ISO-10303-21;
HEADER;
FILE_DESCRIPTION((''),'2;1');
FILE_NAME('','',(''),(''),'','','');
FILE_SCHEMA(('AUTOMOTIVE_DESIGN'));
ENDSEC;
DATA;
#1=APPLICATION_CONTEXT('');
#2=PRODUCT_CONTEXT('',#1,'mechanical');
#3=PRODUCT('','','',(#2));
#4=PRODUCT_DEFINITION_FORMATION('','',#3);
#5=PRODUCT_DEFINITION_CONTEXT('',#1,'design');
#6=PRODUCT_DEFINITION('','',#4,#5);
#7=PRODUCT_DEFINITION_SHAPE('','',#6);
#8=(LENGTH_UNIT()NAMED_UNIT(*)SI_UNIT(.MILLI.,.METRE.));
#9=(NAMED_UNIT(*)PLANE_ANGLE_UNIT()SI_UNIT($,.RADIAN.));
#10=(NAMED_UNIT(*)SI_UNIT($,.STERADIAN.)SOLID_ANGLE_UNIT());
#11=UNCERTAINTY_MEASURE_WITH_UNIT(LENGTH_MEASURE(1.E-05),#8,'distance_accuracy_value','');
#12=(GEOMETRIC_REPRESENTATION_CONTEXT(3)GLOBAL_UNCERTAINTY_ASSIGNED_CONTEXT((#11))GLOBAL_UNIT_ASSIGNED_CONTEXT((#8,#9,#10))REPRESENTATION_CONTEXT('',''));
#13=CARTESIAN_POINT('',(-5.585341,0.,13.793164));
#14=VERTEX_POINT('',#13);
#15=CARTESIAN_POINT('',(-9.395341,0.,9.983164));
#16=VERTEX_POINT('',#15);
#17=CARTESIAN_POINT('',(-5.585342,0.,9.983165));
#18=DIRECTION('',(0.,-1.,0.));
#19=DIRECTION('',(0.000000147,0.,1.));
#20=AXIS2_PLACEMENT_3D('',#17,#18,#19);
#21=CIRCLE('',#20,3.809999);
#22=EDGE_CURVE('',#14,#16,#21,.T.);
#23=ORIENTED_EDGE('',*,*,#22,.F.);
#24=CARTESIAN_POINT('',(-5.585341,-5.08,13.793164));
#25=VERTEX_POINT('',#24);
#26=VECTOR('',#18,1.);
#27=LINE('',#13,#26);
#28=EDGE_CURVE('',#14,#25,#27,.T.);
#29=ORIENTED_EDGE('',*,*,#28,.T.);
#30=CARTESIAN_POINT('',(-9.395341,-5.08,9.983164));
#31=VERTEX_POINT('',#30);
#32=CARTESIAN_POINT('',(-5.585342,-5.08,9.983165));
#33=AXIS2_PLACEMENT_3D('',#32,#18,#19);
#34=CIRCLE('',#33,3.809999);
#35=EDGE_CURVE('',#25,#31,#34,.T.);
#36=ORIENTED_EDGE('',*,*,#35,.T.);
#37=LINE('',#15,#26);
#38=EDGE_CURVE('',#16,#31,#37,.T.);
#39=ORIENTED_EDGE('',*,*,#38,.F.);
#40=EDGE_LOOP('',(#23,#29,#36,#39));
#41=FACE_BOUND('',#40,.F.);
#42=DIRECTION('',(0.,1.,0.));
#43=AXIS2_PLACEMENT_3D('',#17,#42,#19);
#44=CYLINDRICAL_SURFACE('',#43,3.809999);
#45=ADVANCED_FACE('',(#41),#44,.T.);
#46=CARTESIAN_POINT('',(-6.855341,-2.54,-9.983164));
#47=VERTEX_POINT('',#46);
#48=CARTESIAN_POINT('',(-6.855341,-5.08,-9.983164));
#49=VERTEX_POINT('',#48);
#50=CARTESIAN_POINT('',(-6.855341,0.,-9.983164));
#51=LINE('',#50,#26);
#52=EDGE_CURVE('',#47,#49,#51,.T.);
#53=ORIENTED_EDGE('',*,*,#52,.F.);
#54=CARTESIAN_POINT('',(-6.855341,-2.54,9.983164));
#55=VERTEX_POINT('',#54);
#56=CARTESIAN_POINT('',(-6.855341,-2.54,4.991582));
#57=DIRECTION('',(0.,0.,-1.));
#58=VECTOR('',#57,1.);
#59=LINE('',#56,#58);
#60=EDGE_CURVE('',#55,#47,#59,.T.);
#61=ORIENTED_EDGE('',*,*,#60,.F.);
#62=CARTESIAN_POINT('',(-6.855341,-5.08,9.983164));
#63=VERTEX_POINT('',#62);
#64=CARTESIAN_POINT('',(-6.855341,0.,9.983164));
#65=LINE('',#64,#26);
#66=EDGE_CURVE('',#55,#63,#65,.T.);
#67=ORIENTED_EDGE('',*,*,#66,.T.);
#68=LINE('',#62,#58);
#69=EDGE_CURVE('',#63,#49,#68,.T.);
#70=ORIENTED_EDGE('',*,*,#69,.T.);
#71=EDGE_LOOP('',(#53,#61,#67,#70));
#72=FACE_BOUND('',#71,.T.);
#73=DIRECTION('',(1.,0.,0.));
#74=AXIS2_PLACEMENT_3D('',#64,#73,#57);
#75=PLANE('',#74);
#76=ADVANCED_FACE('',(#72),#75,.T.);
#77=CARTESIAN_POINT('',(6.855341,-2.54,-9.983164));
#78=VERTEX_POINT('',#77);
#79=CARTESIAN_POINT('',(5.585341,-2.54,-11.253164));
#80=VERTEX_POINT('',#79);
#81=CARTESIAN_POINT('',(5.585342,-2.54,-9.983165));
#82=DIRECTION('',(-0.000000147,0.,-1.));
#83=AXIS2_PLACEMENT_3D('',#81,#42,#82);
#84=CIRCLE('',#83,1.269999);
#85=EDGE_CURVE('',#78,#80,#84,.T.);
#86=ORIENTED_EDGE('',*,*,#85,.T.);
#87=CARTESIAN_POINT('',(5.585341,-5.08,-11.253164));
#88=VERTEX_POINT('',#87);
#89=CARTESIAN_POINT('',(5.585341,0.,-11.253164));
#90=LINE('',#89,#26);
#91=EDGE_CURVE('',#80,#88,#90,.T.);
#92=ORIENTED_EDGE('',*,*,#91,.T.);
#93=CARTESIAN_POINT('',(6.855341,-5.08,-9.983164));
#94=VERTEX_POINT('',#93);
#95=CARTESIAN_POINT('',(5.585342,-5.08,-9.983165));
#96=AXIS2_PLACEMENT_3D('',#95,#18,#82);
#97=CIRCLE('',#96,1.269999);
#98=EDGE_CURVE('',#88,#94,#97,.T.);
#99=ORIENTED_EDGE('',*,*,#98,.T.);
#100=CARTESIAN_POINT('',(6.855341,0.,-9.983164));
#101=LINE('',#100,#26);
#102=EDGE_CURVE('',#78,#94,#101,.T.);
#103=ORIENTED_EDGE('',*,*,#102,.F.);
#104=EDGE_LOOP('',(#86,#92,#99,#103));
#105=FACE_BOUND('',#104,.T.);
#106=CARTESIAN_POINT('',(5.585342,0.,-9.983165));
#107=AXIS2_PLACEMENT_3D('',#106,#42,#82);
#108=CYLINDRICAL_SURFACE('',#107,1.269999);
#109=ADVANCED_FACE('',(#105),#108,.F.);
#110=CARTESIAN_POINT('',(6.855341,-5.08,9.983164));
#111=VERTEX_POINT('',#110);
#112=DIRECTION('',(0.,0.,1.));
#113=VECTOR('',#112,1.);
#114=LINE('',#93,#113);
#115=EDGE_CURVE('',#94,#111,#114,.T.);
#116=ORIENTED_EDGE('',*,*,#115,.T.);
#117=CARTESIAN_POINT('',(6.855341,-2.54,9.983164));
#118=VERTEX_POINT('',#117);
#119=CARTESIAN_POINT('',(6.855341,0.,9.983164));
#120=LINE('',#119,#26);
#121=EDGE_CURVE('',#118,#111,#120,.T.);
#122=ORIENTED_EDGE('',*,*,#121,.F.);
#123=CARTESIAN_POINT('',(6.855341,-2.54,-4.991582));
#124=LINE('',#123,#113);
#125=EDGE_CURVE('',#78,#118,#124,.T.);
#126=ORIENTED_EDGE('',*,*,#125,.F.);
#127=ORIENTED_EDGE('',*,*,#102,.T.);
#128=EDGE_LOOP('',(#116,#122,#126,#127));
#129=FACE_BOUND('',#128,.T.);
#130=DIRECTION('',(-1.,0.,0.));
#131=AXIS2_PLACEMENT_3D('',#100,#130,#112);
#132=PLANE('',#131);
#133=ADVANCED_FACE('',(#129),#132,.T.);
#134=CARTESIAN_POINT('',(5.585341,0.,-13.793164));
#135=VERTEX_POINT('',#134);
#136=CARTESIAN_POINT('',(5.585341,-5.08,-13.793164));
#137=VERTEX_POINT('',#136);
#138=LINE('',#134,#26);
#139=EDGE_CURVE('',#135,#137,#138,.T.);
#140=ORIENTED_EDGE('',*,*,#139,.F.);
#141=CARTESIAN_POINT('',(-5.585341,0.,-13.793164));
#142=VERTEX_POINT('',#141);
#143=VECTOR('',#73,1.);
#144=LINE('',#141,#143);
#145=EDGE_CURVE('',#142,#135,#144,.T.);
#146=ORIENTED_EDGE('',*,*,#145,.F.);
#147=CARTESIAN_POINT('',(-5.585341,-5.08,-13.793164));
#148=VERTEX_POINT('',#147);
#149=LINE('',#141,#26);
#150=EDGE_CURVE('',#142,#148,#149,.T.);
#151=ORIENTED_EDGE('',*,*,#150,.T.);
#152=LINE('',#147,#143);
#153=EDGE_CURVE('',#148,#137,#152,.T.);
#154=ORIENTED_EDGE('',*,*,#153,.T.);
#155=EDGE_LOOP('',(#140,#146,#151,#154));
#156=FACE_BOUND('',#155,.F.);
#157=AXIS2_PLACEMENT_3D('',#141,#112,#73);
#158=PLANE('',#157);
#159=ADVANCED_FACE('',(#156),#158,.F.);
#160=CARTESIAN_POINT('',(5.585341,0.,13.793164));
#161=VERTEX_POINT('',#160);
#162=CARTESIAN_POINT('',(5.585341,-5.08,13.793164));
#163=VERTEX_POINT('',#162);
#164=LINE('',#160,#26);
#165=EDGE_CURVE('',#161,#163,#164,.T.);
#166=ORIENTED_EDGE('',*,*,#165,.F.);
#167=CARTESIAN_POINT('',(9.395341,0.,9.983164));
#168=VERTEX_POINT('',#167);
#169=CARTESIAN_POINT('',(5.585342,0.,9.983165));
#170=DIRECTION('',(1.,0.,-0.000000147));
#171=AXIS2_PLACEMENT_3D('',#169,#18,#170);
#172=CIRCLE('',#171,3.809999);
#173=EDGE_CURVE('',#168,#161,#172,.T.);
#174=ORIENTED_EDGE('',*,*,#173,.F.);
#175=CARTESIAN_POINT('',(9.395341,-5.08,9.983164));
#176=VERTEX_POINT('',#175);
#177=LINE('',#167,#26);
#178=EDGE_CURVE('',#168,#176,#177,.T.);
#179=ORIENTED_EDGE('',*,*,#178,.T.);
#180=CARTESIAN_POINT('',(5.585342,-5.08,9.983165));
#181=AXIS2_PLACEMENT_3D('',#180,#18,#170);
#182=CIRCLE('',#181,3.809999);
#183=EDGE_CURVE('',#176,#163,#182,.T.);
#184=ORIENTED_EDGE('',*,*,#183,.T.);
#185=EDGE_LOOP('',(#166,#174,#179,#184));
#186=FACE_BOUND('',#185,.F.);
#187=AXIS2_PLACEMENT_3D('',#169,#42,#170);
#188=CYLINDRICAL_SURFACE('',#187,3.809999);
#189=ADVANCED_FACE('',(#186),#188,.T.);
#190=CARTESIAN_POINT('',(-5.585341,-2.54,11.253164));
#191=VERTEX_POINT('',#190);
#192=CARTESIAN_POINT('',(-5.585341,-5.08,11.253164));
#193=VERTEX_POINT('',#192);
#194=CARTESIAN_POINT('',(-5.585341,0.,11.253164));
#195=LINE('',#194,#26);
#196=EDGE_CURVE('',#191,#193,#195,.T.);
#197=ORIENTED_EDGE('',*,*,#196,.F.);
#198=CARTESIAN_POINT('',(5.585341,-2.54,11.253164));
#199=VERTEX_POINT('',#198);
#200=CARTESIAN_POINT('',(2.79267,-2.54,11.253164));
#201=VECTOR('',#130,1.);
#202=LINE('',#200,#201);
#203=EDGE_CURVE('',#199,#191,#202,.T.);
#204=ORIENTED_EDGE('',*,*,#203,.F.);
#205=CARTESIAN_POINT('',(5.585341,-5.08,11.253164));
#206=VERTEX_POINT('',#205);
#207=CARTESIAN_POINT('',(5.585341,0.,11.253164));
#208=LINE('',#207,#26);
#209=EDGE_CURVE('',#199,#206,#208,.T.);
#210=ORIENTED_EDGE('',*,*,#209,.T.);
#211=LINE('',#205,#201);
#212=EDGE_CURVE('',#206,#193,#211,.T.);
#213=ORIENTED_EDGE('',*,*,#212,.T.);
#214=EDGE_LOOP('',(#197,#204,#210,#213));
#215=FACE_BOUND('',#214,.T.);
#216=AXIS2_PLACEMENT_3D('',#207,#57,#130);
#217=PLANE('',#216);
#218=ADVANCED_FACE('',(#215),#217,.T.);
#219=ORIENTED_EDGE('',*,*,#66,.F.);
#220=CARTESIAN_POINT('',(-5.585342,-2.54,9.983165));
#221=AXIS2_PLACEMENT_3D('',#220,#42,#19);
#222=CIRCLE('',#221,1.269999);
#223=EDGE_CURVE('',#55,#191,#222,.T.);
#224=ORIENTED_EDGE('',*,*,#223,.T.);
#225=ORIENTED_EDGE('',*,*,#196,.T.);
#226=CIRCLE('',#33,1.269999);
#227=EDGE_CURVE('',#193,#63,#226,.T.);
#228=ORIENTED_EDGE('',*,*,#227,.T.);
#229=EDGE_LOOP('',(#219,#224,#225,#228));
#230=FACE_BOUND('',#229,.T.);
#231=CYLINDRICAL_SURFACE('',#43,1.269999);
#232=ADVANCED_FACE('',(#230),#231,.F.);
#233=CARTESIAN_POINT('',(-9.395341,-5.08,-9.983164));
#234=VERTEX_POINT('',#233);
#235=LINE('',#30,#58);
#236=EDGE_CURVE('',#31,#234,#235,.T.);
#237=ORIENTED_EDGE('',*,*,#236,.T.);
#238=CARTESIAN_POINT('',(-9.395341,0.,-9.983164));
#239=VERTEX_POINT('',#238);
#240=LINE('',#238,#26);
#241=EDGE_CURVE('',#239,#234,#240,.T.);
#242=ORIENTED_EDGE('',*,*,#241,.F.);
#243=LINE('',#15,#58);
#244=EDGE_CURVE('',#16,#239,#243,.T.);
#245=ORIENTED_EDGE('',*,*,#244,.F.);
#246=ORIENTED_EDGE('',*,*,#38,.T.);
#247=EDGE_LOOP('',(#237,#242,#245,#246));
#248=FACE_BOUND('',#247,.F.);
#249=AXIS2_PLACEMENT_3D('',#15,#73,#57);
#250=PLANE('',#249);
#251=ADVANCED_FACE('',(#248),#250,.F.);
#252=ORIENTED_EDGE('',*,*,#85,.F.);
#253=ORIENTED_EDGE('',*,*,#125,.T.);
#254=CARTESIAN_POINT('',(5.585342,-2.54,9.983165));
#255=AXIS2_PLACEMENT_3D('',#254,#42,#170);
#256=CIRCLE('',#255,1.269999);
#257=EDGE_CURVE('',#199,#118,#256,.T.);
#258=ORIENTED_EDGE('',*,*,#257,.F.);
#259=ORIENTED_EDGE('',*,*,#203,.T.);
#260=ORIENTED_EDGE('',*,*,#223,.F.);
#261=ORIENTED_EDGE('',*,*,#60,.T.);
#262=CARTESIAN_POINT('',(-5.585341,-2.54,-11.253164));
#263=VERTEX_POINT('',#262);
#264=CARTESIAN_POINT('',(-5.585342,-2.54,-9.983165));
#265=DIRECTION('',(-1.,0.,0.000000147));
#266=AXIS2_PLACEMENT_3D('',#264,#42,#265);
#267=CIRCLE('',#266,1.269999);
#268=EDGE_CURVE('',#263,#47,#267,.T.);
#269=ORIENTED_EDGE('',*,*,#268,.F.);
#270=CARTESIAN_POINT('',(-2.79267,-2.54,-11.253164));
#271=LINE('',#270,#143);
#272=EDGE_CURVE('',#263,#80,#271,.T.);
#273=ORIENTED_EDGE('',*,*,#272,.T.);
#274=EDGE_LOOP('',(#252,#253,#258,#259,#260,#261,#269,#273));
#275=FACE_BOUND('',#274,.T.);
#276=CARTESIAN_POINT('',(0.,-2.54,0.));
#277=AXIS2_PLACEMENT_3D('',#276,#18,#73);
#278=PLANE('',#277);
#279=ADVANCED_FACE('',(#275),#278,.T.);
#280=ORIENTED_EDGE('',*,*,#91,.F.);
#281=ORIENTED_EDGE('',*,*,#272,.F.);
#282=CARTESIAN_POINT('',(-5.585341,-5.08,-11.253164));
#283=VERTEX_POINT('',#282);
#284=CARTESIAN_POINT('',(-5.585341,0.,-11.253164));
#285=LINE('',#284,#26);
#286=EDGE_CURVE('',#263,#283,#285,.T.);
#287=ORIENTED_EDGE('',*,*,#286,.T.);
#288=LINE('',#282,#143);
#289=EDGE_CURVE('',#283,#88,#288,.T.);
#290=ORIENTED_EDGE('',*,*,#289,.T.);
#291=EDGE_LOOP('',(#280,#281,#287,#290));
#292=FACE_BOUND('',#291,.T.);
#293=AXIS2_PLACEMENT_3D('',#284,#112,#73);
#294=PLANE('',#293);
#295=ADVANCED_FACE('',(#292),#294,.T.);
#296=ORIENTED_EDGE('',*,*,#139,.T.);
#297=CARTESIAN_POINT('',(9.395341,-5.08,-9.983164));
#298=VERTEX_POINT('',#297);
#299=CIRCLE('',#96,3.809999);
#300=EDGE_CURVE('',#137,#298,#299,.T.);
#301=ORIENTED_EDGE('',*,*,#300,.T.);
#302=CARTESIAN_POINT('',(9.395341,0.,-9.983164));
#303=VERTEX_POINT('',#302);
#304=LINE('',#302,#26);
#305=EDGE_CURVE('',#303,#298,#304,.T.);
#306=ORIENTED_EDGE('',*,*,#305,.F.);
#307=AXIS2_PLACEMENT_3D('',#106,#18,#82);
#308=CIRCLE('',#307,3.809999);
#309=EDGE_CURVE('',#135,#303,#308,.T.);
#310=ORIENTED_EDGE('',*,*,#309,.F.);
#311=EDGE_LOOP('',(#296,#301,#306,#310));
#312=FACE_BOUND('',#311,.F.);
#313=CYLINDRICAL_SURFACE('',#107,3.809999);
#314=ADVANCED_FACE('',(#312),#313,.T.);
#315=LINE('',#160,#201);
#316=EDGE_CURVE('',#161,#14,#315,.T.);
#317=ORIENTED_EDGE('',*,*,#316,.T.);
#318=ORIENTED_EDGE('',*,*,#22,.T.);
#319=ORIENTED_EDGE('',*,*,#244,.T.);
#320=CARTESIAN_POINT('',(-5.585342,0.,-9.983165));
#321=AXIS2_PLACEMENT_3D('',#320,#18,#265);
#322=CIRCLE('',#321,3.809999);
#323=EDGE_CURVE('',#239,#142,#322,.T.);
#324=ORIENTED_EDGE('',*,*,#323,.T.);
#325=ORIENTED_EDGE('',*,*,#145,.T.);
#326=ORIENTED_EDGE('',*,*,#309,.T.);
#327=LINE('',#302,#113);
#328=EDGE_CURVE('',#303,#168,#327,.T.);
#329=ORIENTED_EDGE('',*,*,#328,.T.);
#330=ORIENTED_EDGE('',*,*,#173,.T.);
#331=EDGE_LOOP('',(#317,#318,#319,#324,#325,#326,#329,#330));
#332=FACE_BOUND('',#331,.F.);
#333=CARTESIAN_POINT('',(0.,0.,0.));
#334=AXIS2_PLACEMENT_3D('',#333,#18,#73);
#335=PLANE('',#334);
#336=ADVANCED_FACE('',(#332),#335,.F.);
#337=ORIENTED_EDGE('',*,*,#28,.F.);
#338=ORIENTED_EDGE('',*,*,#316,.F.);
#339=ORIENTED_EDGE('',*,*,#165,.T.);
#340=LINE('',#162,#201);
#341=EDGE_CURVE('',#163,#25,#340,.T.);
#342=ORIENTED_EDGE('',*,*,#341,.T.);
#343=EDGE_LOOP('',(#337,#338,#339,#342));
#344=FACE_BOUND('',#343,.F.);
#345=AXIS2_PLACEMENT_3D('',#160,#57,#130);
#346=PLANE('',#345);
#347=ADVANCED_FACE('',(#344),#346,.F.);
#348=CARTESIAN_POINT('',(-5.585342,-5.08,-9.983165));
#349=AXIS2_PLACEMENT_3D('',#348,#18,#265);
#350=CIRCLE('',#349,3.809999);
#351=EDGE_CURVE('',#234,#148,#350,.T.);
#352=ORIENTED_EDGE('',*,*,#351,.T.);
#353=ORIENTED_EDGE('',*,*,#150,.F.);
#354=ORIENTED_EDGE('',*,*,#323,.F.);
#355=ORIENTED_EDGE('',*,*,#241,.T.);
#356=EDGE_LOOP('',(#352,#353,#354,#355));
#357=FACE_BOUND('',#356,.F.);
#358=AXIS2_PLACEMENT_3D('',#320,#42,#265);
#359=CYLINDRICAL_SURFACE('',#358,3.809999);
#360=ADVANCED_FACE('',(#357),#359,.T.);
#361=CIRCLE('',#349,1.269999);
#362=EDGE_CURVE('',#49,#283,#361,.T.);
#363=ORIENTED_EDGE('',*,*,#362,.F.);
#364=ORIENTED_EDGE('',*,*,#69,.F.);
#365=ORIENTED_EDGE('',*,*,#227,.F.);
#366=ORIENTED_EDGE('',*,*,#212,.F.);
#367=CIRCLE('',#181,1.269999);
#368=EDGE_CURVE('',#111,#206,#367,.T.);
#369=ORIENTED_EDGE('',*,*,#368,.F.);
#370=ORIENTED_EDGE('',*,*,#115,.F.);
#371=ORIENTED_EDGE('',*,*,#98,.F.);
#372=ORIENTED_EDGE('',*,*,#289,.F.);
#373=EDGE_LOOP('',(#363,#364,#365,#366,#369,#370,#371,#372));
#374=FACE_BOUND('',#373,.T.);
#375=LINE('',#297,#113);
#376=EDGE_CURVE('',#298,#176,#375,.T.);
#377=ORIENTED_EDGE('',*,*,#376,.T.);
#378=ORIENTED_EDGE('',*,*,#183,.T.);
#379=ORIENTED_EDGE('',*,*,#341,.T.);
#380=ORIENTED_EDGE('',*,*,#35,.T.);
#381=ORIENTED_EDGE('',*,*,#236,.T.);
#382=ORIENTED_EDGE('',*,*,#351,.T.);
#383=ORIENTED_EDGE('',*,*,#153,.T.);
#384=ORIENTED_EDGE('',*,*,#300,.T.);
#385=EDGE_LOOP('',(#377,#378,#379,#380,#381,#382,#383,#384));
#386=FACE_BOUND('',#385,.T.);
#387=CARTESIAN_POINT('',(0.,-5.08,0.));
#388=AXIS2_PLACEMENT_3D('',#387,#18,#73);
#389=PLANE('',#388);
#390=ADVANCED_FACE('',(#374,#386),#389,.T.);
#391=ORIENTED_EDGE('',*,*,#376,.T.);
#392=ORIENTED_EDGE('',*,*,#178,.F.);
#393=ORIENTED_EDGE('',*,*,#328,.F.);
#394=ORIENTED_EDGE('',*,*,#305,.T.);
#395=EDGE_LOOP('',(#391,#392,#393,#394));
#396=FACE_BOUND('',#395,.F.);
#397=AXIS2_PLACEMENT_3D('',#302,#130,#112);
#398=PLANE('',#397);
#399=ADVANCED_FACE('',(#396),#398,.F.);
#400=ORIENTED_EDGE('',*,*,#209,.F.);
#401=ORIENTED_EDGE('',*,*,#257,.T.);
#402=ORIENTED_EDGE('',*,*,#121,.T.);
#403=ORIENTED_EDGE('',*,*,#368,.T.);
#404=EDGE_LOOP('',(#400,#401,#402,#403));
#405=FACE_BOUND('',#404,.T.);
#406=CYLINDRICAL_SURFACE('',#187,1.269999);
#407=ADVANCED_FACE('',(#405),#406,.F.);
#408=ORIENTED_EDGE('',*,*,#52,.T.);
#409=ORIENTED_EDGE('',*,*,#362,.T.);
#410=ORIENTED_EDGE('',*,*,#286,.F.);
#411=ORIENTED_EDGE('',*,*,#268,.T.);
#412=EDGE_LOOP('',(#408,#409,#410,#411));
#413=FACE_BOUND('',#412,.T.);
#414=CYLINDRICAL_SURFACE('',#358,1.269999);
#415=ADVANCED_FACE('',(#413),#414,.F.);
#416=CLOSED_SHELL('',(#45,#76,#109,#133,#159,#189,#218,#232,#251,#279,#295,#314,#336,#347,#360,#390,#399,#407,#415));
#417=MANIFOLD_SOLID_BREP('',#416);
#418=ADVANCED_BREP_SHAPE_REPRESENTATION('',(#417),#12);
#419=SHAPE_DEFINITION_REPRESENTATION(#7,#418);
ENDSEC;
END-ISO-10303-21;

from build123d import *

# Parameters (mm, degrees)
F1_DEPTH = 5.08
F2_T     = -2.54


with BuildPart() as f1:
    # F0 (on Front) → F1 (new body)
    with BuildSketch(Plane.XZ):
        with BuildLine():
            Line((-5.585341, -13.793164), (5.585341, -13.793164))
            ThreePointArc((5.585341, -13.793164), (8.279418, -12.677241), (9.395341, -9.983164))
            Line((9.395341, -9.983164), (9.395341, 9.983164))
            ThreePointArc((9.395341, 9.983164), (8.279418, 12.677241), (5.585341, 13.793164))
            Line((5.585341, 13.793164), (-5.585341, 13.793164))
            ThreePointArc((-5.585341, 13.793164), (-8.279418, 12.677241), (-9.395341, 9.983164))
            Line((-9.395341, 9.983164), (-9.395341, -9.983164))
            ThreePointArc((-9.395341, -9.983164), (-8.279418, -12.677241), (-5.585341, -13.793164))
        make_face()
    extrude(amount=F1_DEPTH)

    # F2
    f2_openings = [f1.faces().sort_by_distance(p)[0] for p in [
        (0, -5.08, 0),
    ]]
    offset(amount=F2_T, openings=f2_openings)


solid = f1.part
